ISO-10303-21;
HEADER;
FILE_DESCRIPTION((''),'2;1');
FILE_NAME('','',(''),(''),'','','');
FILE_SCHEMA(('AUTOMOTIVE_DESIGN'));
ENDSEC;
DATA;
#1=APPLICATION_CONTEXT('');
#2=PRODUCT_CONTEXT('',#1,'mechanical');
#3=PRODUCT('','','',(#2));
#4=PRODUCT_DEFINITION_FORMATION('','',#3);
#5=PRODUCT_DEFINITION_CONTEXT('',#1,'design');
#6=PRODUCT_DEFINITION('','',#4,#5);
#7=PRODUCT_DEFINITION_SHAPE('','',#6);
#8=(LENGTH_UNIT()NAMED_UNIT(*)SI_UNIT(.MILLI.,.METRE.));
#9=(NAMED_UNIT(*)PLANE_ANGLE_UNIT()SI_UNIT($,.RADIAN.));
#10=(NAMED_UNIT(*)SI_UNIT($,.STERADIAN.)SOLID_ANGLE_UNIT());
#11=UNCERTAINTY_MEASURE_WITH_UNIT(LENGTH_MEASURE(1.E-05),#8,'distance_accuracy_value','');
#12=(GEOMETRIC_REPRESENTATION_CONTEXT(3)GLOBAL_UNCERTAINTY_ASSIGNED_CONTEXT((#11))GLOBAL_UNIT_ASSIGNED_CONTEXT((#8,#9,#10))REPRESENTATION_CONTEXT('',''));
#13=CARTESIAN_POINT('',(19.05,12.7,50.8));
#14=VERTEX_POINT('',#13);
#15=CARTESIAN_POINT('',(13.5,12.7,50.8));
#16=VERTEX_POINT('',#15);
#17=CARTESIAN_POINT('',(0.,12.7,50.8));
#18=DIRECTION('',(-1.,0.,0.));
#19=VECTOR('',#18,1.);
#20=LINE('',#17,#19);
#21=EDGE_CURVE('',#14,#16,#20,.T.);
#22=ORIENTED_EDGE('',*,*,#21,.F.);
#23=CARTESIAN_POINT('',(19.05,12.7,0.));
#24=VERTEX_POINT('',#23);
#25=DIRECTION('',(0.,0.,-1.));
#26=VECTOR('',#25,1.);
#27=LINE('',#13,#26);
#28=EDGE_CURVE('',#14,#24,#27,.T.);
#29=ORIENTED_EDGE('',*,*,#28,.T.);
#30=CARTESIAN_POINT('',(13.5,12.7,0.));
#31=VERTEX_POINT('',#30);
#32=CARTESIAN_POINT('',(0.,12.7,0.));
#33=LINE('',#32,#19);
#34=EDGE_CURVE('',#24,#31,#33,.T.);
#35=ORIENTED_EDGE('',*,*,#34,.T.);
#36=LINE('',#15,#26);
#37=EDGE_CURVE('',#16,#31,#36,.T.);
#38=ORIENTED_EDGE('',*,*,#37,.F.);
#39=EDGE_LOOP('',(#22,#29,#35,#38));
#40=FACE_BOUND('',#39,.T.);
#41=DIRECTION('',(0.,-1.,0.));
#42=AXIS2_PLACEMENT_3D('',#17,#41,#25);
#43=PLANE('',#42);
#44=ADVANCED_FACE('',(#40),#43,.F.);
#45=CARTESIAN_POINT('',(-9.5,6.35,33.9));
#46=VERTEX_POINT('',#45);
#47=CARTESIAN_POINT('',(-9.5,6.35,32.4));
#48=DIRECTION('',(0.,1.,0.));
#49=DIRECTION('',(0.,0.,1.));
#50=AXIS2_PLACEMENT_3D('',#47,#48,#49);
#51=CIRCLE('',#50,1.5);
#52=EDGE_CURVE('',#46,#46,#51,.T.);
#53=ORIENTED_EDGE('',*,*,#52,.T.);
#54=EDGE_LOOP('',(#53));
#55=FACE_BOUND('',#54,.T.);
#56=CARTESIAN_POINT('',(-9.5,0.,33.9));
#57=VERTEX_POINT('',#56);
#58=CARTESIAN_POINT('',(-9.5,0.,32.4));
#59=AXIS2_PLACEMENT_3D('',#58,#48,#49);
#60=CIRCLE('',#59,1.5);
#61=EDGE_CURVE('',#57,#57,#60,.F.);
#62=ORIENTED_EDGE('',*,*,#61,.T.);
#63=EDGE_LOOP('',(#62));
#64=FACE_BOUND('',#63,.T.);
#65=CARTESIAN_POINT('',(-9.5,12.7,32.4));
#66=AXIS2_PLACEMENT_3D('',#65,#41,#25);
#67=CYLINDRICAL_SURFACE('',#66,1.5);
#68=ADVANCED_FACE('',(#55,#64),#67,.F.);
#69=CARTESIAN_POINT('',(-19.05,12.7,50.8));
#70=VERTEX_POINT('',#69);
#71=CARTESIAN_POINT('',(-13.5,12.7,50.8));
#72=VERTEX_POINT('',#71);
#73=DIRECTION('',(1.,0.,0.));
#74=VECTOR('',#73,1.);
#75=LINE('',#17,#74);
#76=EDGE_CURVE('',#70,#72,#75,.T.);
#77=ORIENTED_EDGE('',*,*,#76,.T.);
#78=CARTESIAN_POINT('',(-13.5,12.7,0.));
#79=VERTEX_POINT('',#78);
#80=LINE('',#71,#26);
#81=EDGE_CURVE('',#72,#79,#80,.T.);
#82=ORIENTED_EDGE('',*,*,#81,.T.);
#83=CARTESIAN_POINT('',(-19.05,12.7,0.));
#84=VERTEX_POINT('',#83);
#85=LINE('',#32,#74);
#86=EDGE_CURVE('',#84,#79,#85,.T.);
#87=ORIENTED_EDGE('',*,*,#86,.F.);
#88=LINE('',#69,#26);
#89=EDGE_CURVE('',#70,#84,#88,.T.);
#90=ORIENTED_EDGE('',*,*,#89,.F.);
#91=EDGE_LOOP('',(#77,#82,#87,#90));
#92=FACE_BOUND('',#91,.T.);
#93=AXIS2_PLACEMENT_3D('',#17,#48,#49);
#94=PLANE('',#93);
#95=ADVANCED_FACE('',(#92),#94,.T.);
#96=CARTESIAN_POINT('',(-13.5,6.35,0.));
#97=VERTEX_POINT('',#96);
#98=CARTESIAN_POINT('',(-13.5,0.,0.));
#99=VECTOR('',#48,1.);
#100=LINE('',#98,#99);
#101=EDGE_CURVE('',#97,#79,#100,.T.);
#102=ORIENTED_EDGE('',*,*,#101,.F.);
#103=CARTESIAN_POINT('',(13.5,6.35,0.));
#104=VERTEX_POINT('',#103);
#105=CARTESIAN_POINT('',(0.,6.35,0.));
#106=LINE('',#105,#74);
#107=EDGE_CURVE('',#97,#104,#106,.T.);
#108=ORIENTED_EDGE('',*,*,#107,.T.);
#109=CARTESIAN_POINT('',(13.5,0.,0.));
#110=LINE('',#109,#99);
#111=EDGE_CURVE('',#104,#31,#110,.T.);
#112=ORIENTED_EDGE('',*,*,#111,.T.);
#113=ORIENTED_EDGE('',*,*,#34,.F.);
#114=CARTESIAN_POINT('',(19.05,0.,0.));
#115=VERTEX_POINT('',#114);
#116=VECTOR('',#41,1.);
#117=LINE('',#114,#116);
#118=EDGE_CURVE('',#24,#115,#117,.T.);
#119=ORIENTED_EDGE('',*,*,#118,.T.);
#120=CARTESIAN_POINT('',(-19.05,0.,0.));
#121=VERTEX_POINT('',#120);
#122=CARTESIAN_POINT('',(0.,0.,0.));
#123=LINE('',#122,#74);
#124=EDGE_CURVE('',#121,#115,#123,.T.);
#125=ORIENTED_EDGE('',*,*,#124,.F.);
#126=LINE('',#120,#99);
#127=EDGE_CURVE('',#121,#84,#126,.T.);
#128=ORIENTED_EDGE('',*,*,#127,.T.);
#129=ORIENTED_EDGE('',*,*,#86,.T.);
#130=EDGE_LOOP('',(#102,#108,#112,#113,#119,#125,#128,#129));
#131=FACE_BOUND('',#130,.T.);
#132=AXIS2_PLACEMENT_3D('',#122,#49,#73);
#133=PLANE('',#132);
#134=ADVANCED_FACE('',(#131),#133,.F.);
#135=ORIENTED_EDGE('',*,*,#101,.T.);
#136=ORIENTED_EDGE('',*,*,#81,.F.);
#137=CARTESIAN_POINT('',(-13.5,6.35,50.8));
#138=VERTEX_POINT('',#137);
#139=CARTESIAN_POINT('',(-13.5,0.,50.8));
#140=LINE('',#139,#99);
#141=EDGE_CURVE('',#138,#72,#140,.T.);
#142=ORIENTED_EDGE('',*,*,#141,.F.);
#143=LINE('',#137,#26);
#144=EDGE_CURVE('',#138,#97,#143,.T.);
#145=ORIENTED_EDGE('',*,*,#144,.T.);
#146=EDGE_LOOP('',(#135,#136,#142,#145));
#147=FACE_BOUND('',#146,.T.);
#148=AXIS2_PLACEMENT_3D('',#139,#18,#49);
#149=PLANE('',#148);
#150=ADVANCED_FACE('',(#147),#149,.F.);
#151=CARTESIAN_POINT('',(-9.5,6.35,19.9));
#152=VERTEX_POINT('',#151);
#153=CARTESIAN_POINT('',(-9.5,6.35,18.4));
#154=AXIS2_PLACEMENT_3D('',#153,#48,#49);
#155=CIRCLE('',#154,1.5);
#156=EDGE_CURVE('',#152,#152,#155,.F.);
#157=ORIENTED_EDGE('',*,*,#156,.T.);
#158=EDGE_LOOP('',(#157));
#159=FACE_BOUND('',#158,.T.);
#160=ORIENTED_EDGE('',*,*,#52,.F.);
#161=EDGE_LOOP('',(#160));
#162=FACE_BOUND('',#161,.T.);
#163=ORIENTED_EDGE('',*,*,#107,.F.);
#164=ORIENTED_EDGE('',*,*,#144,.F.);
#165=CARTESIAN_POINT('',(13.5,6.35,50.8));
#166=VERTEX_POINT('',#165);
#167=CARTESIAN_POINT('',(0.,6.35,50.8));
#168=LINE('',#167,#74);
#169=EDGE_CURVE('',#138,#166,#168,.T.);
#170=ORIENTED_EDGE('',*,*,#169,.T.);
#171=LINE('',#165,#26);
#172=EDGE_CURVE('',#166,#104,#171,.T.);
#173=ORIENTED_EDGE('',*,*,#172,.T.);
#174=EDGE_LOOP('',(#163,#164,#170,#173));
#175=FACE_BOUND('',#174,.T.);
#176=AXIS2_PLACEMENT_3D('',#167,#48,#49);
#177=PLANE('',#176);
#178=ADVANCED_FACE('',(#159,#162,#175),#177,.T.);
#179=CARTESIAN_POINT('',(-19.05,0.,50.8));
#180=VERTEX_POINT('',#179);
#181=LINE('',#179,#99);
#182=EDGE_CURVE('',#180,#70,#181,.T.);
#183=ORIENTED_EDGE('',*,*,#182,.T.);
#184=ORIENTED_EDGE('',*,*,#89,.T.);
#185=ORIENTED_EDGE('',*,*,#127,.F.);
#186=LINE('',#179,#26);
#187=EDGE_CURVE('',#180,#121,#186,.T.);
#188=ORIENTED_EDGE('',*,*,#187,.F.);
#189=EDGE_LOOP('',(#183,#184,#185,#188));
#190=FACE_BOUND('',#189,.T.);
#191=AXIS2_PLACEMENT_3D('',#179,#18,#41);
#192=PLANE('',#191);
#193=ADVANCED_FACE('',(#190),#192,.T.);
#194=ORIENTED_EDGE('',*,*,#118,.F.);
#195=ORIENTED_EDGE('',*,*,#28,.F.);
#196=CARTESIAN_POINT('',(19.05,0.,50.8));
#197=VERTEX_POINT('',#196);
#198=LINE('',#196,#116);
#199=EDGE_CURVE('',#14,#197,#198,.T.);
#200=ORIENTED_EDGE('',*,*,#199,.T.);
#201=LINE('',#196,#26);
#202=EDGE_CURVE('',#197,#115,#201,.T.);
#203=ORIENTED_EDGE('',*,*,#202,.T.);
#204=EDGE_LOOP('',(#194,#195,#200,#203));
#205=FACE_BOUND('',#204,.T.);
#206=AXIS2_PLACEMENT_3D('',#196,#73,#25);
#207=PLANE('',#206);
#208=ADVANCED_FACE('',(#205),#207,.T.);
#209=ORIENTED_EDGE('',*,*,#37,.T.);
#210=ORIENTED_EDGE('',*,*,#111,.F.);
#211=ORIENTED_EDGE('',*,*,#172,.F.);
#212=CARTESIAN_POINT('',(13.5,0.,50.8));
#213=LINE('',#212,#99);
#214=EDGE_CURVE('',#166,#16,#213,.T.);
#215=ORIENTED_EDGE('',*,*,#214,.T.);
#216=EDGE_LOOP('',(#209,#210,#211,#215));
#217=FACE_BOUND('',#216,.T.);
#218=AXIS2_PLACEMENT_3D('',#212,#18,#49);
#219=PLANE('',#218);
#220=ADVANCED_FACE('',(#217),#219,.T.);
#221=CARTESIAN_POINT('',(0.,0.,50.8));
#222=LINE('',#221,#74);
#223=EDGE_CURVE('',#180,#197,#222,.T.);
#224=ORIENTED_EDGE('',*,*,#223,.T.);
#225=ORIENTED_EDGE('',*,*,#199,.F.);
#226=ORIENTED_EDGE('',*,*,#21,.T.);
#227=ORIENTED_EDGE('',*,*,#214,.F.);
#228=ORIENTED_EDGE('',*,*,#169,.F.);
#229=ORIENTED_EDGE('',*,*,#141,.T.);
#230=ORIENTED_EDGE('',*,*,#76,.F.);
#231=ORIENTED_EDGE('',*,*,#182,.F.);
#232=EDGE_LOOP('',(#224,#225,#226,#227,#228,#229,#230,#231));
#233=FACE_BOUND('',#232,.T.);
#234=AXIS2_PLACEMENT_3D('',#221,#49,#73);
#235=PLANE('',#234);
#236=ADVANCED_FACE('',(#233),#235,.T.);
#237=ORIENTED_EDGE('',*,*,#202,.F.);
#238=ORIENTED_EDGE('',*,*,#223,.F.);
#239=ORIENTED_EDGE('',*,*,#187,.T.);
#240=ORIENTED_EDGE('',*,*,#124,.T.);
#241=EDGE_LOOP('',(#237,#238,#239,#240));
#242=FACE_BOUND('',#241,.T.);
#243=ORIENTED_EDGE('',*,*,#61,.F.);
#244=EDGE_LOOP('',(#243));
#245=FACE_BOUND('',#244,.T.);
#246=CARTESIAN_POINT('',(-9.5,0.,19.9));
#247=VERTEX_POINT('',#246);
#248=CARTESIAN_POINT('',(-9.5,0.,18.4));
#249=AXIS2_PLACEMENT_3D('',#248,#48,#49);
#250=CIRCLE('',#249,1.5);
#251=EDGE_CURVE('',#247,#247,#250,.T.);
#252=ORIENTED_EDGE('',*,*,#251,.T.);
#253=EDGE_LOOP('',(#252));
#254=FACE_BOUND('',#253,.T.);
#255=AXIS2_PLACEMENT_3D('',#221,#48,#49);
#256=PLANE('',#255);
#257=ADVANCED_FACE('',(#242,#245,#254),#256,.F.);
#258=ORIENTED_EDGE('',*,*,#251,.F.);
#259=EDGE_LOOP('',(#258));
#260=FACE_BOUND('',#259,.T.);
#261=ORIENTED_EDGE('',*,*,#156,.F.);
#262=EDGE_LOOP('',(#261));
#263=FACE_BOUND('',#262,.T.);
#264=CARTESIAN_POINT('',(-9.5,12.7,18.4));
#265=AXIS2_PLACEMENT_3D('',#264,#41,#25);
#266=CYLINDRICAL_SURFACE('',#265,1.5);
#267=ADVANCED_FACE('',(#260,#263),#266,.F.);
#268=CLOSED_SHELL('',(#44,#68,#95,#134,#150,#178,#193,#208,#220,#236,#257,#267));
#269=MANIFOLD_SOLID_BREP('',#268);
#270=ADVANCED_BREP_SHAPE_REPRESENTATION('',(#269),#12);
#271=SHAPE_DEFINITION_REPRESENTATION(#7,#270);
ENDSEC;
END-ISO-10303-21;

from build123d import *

# Parameters (mm, degrees)
SKETCH1_W           = 5.55
SKETCH1_H           = 6.35
SKETCH1_W_2         = 27
BOSS_EXTRUDE1_DEPTH = 50.8
SKETCH2_R           = 1.5
CUT_EXTRUDE1_DEPTH  = 56.72102386


with BuildPart() as part:
    # Sketch1 → Boss-Extrude1 (new body)
    with BuildSketch(Plane.XY):
        with Locations((-16.275, 9.525)):
            Rectangle(SKETCH1_W, SKETCH1_H)
        with Locations((-16.275, 3.175)):
            Rectangle(SKETCH1_W, SKETCH1_H)
        with Locations((0, 3.175)):
            Rectangle(SKETCH1_W_2, SKETCH1_H)
        with Locations((16.275, 9.525)):
            Rectangle(SKETCH1_W, SKETCH1_H)
        with Locations((16.275, 3.175)):
            Rectangle(SKETCH1_W, SKETCH1_H)
    extrude(amount=BOSS_EXTRUDE1_DEPTH)

    # Sketch2 → Cut-Extrude1 (cut, through all)
    with BuildSketch(Plane(origin=(0, 0, 0), x_dir=(1, 0, 0), z_dir=(0, 1, 0))):
        with Locations(Location((-9.5, -32.4, 0), (0, 0, 270))):
            Circle(SKETCH2_R)
        with Locations(Location((-9.5, -18.4, 0), (0, 0, 270))):
            Circle(SKETCH2_R)
    extrude(amount=CUT_EXTRUDE1_DEPTH, mode=Mode.SUBTRACT)


solid = part.part
